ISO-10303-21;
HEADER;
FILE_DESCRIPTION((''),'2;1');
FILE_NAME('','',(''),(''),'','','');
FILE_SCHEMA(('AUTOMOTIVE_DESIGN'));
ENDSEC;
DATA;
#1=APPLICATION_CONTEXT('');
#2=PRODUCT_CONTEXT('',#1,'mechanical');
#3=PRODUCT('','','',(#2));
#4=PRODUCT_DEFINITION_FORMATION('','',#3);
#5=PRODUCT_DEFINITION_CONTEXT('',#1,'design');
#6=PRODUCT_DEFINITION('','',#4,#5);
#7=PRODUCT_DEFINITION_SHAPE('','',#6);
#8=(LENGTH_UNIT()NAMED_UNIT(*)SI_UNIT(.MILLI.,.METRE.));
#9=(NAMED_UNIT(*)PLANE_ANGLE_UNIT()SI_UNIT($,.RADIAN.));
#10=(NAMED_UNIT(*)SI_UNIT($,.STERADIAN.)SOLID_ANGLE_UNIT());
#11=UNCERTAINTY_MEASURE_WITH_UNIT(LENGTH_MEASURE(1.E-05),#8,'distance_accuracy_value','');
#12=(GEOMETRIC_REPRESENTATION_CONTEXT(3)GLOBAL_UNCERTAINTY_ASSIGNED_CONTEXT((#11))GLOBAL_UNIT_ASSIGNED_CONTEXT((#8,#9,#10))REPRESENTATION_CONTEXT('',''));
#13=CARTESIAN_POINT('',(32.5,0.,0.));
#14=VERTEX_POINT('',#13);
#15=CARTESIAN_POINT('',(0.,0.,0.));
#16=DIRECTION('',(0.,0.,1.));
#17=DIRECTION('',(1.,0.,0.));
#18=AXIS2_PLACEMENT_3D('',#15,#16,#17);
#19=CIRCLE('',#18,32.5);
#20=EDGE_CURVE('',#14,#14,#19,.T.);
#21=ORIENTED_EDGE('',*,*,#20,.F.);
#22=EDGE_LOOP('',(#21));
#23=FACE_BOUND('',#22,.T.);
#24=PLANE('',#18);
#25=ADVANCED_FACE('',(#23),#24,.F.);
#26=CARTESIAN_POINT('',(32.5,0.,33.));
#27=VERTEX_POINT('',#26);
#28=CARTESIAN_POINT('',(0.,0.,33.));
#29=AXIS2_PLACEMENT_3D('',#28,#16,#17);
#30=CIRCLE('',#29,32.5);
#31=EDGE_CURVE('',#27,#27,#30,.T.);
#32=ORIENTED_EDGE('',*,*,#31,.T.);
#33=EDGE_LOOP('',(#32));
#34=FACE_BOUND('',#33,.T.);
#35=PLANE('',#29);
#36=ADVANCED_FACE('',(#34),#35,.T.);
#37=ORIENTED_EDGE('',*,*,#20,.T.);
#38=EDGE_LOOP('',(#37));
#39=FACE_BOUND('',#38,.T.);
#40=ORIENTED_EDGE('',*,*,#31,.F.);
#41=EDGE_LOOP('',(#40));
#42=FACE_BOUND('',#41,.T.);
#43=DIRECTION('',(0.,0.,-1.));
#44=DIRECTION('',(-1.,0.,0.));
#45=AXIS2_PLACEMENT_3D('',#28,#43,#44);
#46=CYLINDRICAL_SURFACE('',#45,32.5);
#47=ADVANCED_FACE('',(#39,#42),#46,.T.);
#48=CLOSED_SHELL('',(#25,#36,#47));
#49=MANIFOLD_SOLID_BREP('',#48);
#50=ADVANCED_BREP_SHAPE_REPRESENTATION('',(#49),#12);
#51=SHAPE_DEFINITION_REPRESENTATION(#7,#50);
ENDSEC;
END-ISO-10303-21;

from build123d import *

# Parameters (mm, degrees)
SKETCH1_R          = 32.5
BASE_EXTRUDE_DEPTH = 33


with BuildPart() as part:
    # Sketch1 → Base-Extrude (new body)
    with BuildSketch(Plane.XY):
        Circle(SKETCH1_R)
    extrude(amount=BASE_EXTRUDE_DEPTH)


solid = part.part
